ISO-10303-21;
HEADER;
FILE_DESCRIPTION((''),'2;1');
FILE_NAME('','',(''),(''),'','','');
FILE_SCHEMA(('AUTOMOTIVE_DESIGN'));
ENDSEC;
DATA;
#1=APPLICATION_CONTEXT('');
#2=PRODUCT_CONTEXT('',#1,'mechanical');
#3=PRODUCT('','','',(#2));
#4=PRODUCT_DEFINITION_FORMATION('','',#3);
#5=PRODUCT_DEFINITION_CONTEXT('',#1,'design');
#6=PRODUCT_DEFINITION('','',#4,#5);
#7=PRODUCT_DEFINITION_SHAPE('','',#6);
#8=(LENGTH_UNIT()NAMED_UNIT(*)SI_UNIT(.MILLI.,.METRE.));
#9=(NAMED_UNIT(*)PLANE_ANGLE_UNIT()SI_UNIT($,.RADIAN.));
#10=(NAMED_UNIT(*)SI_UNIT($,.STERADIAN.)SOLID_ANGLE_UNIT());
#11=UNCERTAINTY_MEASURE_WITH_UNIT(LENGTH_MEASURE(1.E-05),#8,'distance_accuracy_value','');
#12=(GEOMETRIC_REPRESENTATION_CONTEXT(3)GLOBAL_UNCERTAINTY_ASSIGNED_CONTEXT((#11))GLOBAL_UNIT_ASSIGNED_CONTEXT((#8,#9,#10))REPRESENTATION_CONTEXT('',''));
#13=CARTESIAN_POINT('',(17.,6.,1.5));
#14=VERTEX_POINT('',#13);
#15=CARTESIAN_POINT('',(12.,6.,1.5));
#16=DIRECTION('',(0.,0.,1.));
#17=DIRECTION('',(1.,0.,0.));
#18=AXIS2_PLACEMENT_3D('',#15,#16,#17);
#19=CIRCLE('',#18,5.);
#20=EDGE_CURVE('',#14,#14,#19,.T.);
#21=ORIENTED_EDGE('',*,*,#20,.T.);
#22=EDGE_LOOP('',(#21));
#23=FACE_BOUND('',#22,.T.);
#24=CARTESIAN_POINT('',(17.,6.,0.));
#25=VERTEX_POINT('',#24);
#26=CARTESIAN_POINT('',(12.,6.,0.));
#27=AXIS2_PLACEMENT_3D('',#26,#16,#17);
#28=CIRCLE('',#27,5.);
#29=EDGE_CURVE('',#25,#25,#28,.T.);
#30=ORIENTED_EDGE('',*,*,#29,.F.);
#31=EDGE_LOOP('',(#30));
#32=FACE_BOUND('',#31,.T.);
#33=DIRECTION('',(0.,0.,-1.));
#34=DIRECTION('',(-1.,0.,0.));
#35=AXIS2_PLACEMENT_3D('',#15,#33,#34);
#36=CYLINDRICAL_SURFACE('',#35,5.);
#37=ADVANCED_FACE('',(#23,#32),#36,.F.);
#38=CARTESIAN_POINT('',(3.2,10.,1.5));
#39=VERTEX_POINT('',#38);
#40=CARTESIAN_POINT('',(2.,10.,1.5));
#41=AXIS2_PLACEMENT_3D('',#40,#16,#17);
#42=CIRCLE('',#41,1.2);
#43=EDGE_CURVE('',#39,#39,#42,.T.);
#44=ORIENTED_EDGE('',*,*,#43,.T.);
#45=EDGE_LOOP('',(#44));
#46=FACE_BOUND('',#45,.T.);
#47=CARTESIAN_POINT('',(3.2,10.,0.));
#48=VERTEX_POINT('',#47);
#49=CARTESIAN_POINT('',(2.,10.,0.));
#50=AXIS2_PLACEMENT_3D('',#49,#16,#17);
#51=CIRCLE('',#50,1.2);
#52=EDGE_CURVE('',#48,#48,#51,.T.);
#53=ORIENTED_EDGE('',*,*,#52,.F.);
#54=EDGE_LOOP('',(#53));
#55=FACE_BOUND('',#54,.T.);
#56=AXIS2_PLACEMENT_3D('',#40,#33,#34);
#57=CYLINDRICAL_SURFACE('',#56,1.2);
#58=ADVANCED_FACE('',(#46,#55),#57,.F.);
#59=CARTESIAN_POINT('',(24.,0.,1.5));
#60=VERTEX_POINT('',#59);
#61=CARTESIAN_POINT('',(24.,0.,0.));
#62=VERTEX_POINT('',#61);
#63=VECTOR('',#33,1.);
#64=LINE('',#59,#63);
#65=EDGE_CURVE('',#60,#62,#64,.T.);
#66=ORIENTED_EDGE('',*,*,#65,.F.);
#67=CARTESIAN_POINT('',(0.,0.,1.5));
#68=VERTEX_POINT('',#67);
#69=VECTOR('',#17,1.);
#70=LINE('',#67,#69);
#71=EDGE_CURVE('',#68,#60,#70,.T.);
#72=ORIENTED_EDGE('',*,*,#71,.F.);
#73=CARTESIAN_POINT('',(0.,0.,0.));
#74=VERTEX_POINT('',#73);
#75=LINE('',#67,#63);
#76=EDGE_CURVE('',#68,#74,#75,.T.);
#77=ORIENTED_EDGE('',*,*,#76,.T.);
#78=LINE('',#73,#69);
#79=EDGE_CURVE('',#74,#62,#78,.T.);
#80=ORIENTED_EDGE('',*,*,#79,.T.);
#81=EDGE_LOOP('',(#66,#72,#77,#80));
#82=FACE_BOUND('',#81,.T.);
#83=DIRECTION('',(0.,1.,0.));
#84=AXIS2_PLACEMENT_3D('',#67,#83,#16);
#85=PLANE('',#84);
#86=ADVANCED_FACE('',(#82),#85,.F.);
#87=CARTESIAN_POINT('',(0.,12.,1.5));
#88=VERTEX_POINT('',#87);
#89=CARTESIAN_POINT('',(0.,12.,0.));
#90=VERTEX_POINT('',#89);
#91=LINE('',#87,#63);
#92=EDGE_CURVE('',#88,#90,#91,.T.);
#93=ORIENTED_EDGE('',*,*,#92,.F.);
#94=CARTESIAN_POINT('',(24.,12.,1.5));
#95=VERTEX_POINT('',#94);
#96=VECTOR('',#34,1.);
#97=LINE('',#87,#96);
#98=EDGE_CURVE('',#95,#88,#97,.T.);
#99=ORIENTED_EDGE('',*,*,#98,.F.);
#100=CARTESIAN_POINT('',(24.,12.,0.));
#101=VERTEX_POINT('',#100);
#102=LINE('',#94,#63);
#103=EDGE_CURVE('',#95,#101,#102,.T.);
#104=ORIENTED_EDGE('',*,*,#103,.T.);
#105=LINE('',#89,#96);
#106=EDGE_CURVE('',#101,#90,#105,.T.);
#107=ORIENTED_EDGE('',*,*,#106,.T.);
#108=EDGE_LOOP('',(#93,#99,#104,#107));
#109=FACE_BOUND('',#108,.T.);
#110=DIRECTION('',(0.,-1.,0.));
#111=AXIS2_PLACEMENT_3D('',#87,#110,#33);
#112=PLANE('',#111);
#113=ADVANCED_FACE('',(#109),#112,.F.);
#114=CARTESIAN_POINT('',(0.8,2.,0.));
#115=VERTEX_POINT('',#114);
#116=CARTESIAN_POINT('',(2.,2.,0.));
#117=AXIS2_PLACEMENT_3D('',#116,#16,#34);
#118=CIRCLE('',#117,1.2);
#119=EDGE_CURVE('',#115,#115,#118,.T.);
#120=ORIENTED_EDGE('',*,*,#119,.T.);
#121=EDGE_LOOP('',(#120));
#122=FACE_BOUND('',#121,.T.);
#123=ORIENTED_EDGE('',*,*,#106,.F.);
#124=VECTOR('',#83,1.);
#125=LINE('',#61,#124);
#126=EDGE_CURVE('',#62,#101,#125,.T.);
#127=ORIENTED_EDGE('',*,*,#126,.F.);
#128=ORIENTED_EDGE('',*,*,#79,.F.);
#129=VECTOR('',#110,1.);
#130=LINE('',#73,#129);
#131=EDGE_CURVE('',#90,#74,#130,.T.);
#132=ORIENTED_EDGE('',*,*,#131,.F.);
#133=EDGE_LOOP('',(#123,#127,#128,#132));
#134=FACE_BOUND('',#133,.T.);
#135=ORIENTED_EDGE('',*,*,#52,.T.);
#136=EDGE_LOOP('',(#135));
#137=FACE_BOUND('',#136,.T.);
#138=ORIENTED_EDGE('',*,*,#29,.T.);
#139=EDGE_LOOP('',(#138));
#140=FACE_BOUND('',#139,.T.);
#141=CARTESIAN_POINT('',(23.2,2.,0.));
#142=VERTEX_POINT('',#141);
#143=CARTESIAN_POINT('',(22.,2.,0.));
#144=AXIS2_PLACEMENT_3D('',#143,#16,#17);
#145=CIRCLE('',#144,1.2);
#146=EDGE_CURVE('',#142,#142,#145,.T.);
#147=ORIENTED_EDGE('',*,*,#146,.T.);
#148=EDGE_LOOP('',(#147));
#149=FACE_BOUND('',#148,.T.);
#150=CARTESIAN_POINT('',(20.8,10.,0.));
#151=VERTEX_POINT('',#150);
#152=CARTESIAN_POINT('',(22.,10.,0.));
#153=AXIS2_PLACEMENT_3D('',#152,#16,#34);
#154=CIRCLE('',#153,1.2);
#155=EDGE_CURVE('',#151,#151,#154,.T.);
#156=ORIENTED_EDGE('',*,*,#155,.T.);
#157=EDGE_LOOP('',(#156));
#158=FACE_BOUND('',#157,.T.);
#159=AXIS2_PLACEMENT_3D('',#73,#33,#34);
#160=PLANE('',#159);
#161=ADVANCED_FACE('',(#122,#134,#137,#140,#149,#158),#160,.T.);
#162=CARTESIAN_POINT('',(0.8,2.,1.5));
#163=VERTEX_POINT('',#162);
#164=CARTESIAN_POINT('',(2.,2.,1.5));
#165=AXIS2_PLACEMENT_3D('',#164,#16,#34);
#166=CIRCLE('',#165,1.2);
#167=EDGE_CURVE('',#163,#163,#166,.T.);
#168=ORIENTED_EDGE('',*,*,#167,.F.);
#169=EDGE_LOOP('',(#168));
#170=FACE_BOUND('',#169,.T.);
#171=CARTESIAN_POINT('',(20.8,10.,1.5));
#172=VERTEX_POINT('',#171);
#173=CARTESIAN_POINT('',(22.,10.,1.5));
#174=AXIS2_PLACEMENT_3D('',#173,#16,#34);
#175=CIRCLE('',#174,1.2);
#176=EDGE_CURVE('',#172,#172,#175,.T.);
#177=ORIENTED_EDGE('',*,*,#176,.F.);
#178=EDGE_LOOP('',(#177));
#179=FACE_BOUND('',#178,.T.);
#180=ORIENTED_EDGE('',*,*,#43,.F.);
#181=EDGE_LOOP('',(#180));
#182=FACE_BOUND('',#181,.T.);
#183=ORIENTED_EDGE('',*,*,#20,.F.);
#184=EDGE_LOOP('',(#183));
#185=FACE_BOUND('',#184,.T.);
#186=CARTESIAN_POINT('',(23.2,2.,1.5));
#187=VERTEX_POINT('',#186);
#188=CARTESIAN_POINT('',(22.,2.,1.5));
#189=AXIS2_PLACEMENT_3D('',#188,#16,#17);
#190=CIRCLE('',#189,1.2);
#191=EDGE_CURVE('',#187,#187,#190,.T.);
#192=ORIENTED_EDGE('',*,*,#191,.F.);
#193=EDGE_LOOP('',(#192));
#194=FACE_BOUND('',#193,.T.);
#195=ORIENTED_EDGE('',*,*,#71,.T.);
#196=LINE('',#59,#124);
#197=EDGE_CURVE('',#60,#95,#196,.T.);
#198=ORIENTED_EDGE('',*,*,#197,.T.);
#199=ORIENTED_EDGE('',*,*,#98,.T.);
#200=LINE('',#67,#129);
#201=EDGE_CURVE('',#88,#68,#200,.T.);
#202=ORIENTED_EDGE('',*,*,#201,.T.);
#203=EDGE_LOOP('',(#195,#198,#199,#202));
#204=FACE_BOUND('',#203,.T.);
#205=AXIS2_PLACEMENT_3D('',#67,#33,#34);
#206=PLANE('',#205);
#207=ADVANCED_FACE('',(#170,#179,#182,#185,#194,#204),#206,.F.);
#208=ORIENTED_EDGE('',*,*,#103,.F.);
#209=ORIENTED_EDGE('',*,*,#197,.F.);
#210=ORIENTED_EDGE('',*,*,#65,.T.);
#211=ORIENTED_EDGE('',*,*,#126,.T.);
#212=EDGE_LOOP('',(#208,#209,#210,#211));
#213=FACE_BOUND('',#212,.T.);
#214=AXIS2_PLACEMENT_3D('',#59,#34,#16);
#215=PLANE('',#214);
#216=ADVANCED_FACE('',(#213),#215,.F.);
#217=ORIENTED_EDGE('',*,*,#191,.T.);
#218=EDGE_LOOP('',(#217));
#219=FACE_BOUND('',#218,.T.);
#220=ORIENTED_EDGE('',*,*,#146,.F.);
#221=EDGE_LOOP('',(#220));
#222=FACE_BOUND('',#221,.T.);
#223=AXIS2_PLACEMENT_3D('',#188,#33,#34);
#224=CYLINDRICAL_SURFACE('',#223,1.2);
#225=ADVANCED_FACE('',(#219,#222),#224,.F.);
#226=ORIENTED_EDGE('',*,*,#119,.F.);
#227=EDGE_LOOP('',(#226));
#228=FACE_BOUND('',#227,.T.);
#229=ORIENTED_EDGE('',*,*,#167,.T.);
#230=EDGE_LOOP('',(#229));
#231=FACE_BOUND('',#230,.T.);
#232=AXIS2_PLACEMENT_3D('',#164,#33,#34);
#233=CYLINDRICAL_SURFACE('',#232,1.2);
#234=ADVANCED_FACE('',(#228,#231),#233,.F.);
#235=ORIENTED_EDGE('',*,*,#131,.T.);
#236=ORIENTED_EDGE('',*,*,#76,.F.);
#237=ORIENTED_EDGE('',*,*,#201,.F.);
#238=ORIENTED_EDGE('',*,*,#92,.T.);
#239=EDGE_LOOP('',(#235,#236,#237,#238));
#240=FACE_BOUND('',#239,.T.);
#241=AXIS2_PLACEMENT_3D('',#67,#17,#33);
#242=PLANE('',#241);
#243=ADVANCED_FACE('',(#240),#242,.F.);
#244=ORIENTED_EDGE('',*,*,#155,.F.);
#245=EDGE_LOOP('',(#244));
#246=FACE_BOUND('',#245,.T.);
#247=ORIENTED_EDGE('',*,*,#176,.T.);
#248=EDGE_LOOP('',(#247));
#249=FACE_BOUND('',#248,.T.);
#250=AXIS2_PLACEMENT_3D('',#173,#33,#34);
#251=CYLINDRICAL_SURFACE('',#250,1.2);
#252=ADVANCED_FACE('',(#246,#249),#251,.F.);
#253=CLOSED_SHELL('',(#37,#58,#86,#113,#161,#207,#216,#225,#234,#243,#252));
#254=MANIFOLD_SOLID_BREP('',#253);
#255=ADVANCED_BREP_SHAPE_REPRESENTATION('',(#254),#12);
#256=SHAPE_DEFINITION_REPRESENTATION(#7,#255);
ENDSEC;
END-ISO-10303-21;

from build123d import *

# Parameters (mm, degrees)
SKETCH1_W           = 24
SKETCH1_H           = 12
SKETCH1_R           = 1.2
SKETCH1_R_2         = 5
BOSS_EXTRUDE1_DEPTH = 1.5


with BuildPart() as part:
    # Sketch1 → Boss-Extrude1 (new body)
    with BuildSketch(Plane.XY):
        with Locations((12, 6)):
            Rectangle(SKETCH1_W, SKETCH1_H)
        with Locations((2, 10)):
            Circle(SKETCH1_R, mode=Mode.SUBTRACT)
        with Locations(Location((22, 10, 0), (0, 0, 180))):
            Circle(SKETCH1_R, mode=Mode.SUBTRACT)
        with Locations((22, 2)):
            Circle(SKETCH1_R, mode=Mode.SUBTRACT)
        with Locations(Location((2, 2, 0), (0, 0, 180))):
            Circle(SKETCH1_R, mode=Mode.SUBTRACT)
        with Locations((12, 6)):
            Circle(SKETCH1_R_2, mode=Mode.SUBTRACT)
    extrude(amount=BOSS_EXTRUDE1_DEPTH)


solid = part.part
